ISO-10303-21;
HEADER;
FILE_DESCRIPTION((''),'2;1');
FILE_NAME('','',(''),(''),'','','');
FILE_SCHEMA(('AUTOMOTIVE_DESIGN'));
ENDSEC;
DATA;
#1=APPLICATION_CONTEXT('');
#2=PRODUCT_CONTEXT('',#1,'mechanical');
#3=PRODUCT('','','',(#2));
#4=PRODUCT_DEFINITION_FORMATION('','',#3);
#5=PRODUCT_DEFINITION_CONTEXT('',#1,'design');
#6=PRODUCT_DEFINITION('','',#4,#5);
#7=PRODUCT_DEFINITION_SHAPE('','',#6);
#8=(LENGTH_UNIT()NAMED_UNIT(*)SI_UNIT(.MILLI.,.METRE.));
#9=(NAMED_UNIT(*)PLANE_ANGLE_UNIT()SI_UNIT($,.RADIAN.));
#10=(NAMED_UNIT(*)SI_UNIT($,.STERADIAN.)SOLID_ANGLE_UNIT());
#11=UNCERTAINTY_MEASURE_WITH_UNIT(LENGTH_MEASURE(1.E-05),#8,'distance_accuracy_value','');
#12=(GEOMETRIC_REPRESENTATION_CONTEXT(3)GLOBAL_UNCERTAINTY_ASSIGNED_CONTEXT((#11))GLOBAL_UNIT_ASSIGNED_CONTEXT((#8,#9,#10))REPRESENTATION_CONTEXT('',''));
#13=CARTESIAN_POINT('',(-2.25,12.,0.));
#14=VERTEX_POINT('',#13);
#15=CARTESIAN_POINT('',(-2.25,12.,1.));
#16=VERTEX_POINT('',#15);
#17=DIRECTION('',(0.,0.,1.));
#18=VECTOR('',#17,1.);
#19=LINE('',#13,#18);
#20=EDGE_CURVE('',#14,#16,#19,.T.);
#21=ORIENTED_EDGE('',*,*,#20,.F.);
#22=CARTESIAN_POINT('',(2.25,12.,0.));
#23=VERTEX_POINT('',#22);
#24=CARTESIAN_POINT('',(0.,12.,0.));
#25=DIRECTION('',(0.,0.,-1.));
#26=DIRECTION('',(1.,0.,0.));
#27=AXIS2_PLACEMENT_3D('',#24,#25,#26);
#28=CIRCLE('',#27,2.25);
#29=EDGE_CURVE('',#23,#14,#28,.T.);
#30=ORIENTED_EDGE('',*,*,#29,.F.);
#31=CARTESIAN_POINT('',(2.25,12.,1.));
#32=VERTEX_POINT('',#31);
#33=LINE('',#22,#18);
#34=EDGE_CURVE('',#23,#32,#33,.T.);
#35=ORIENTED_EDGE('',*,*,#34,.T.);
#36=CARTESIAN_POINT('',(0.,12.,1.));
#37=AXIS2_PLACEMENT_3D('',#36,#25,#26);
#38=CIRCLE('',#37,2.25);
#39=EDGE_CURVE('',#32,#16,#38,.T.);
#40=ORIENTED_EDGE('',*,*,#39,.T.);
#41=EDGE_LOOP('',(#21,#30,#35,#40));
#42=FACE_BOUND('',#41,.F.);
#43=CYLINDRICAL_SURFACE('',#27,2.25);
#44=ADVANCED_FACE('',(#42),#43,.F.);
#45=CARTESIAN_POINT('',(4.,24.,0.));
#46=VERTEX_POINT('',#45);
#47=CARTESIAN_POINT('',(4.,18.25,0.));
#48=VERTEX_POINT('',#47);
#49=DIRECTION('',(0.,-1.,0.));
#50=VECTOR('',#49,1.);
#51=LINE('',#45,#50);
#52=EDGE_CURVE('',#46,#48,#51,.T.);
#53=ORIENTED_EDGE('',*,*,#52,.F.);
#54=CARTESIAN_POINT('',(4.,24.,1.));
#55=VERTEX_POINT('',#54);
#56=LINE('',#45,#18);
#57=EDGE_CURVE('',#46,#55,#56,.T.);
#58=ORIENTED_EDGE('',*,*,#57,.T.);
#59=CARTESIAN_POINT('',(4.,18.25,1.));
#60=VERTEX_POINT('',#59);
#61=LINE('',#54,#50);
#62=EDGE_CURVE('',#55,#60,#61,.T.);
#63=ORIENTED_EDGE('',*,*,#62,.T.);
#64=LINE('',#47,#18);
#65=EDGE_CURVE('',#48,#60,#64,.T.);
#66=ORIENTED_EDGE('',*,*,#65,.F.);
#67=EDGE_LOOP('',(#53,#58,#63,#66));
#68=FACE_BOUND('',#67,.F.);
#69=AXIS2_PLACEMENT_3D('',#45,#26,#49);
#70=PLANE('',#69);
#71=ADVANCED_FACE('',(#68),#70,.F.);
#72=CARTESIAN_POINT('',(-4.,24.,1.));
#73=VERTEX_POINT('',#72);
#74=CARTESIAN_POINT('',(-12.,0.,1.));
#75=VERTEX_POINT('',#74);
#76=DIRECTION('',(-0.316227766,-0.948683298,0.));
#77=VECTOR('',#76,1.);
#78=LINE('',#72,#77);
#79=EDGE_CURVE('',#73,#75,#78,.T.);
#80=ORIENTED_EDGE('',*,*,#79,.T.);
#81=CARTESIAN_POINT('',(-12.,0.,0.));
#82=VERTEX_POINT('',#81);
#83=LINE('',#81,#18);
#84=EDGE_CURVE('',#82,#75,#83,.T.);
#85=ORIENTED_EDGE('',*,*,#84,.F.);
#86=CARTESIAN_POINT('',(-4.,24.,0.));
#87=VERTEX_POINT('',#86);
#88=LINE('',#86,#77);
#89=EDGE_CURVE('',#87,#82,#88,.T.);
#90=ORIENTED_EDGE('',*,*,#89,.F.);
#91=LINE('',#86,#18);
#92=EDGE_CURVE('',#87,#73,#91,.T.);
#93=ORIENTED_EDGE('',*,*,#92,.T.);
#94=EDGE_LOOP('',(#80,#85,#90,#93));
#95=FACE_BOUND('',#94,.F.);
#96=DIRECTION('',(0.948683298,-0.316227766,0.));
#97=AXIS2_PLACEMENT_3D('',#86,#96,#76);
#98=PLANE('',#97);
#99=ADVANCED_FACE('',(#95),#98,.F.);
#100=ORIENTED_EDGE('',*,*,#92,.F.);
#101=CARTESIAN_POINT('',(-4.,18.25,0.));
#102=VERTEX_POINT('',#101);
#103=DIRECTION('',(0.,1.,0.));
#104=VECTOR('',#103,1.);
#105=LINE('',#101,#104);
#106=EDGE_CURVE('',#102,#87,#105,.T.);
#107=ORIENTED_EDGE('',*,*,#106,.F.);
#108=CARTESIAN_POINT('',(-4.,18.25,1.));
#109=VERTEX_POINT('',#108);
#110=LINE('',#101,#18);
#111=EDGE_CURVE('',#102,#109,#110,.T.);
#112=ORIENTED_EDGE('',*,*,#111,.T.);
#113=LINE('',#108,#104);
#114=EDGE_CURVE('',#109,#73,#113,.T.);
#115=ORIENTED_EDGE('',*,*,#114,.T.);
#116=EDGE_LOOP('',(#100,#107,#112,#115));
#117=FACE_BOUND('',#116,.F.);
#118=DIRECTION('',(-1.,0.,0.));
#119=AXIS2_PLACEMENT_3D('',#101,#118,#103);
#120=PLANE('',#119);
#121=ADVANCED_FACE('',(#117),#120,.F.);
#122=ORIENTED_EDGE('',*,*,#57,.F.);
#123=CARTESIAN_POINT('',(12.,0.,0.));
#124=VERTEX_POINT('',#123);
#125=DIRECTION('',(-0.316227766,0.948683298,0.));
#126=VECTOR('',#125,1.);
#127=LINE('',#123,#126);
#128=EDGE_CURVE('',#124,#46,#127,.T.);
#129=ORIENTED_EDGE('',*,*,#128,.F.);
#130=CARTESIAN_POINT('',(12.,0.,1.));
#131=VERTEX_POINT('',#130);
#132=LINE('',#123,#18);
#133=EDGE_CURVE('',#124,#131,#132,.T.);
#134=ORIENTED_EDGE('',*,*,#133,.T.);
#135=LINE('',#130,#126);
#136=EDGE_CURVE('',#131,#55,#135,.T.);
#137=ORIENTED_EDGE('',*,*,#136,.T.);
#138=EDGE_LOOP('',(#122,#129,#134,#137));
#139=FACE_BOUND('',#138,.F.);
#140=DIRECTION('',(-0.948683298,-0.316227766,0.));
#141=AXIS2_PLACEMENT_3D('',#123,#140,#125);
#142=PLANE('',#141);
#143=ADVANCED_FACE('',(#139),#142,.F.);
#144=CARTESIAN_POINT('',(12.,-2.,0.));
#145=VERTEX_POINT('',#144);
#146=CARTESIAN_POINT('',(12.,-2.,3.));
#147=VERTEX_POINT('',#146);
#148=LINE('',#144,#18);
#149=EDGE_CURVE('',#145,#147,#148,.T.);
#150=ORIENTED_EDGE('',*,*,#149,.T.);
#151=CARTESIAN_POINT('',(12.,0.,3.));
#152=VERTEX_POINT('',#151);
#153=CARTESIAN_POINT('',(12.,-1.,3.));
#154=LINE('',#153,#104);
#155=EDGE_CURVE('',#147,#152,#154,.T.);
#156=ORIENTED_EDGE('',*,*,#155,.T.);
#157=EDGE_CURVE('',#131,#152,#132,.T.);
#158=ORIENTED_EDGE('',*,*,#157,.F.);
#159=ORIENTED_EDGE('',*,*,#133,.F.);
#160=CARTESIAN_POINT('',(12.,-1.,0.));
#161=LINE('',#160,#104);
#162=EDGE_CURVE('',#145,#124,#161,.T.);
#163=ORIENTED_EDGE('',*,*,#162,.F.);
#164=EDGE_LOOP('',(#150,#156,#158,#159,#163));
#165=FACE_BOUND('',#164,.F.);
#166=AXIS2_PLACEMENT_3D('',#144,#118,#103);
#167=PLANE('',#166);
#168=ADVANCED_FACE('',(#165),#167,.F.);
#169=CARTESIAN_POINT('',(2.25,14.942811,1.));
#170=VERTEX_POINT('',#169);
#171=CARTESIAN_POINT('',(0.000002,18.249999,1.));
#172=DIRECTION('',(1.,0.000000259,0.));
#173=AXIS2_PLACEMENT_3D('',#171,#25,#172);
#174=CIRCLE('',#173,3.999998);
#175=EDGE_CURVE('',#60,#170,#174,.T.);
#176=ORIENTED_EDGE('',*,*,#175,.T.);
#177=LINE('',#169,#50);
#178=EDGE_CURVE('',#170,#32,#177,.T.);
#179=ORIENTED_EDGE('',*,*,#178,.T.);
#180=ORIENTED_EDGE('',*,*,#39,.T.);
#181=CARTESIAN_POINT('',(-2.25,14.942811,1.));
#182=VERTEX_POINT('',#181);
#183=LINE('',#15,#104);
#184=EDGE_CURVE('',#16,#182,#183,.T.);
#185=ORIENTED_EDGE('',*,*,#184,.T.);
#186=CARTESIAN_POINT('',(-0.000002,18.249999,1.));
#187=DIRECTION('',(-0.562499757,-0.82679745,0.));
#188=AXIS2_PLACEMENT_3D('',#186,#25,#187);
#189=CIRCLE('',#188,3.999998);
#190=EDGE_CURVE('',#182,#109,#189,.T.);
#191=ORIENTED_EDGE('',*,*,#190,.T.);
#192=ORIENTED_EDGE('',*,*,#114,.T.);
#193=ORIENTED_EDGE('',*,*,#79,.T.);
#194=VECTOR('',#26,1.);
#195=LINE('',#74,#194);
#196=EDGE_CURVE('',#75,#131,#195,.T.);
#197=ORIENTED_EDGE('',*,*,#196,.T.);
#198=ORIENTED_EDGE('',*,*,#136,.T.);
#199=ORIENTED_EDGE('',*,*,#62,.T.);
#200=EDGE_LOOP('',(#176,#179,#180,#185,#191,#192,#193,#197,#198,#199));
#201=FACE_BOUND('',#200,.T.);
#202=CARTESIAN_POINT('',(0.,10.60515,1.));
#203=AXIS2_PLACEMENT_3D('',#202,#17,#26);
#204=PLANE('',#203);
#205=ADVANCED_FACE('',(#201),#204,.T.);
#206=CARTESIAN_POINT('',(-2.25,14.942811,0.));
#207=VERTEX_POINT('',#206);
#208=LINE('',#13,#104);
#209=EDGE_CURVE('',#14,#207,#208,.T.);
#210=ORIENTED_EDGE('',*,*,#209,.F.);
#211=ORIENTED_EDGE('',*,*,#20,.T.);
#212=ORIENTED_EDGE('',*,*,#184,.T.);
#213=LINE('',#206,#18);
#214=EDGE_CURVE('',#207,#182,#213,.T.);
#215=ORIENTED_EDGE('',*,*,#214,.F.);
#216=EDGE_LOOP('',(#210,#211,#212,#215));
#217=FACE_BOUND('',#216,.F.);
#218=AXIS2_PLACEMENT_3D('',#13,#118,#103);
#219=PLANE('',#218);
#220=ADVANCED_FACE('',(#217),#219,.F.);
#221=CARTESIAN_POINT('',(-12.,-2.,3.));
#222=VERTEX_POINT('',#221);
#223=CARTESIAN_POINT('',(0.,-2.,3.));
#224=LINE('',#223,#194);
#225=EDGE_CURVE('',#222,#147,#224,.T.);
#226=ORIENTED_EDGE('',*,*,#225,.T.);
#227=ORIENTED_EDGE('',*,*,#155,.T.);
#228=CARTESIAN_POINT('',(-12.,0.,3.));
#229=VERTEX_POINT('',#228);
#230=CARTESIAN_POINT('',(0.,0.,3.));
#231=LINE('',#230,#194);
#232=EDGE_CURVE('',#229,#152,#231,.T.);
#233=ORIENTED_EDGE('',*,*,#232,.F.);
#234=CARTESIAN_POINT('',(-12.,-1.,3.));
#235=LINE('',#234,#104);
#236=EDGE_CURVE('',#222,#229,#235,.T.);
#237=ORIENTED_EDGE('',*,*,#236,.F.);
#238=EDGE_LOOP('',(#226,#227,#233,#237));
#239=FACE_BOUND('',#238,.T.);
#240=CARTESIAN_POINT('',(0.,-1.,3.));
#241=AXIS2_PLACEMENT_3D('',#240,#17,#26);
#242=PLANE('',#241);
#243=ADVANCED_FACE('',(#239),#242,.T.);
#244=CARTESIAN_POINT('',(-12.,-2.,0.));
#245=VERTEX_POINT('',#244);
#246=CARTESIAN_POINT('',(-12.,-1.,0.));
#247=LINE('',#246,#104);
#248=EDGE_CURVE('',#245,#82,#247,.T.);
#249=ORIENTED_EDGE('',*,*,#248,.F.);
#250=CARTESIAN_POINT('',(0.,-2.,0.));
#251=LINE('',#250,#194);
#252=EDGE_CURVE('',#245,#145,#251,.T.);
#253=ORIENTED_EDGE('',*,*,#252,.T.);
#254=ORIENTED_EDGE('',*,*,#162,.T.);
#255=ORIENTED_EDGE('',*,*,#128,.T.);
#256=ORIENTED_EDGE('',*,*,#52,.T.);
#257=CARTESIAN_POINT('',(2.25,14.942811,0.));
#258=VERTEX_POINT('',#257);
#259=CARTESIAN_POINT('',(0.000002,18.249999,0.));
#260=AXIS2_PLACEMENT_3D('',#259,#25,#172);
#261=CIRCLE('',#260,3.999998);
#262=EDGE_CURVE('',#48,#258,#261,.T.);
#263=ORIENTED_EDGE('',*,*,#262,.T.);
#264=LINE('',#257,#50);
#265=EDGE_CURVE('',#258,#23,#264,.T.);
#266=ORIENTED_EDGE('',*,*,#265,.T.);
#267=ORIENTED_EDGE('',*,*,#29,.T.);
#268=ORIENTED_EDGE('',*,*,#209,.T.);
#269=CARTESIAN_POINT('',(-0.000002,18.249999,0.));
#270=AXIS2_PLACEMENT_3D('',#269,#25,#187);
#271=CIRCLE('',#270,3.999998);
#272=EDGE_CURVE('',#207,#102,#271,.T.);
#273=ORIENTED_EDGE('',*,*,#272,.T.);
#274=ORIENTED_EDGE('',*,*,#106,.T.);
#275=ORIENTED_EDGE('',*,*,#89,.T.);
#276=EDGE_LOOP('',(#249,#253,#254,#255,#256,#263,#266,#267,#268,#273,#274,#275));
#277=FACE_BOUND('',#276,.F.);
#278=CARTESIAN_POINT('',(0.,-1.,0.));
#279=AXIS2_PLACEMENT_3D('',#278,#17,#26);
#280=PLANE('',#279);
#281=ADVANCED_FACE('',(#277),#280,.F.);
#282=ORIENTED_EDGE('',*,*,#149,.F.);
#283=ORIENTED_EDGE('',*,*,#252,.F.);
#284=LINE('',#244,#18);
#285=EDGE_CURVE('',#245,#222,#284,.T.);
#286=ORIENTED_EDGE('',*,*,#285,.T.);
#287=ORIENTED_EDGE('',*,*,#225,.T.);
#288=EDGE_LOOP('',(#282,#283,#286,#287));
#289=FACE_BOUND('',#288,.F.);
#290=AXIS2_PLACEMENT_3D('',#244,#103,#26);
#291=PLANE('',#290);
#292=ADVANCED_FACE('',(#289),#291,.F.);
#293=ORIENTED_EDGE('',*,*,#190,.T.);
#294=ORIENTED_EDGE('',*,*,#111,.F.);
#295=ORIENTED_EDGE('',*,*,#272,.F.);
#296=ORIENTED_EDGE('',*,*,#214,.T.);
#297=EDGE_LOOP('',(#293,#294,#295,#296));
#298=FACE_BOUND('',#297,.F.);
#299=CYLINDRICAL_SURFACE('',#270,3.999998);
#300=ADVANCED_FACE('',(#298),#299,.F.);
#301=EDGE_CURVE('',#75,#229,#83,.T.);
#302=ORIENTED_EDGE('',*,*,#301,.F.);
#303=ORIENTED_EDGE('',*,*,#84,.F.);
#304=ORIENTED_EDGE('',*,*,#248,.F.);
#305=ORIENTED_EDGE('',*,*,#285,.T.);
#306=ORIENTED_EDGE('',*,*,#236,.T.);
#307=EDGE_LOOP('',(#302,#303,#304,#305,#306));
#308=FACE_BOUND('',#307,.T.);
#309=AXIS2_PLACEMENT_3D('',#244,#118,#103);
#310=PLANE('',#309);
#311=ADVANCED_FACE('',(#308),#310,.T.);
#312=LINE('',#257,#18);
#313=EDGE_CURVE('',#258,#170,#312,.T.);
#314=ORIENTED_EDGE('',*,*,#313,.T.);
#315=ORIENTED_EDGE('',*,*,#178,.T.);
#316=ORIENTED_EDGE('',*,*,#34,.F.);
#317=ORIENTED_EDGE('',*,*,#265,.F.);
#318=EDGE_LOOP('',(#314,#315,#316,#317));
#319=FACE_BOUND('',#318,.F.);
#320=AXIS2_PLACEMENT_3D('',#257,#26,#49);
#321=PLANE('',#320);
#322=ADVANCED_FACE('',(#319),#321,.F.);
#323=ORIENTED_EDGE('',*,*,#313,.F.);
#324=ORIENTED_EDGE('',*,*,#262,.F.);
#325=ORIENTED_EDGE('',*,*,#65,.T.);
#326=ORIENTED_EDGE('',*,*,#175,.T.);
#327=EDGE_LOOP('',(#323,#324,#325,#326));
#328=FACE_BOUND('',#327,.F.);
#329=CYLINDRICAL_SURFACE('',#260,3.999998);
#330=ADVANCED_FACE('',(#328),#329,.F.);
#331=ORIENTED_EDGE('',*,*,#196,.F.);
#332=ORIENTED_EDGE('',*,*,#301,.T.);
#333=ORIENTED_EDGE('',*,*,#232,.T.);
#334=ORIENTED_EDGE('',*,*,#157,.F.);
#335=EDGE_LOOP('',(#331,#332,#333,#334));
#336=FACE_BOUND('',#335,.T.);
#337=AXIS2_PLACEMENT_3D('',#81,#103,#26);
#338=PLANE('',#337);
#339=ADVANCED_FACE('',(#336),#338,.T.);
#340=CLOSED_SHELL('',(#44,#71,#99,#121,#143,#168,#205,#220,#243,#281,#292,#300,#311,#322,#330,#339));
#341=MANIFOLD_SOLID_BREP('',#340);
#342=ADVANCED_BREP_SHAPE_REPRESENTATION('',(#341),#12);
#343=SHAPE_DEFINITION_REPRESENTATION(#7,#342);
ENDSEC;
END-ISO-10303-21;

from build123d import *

# Parameters (mm, degrees)
F1_DEPTH = 1
F0_W     = 24
F0_H     = 2
F2_DEPTH = 3


with BuildPart() as f1:
    # F0 (on Top) → F1 (new body)
    with BuildSketch(Plane.XY):
        with BuildLine():
            Line((-12, 0), (12, 0))
            Line((12, 0), (4, 24))
            Line((4, 24), (4, 18.25))
            ThreePointArc((4, 18.25), (3.535534, 16.379171), (2.25, 14.942811))
            Line((2.25, 14.942811), (2.25, 12))
            ThreePointArc((2.25, 12), (0, 9.75), (-2.25, 12))
            Line((-2.25, 12), (-2.25, 14.942811))
            ThreePointArc((-2.25, 14.942811), (-3.535534, 16.379171), (-4, 18.25))
            Line((-4, 18.25), (-4, 24))
            Line((-4, 24), (-12, 0))
        make_face()
    extrude(amount=F1_DEPTH)

    # F0 (on Top) → F2 (join)
    with BuildSketch(Plane.XY):
        with Locations((0, -1)):
            Rectangle(F0_W, F0_H)
    extrude(amount=F2_DEPTH)


solid = f1.part
